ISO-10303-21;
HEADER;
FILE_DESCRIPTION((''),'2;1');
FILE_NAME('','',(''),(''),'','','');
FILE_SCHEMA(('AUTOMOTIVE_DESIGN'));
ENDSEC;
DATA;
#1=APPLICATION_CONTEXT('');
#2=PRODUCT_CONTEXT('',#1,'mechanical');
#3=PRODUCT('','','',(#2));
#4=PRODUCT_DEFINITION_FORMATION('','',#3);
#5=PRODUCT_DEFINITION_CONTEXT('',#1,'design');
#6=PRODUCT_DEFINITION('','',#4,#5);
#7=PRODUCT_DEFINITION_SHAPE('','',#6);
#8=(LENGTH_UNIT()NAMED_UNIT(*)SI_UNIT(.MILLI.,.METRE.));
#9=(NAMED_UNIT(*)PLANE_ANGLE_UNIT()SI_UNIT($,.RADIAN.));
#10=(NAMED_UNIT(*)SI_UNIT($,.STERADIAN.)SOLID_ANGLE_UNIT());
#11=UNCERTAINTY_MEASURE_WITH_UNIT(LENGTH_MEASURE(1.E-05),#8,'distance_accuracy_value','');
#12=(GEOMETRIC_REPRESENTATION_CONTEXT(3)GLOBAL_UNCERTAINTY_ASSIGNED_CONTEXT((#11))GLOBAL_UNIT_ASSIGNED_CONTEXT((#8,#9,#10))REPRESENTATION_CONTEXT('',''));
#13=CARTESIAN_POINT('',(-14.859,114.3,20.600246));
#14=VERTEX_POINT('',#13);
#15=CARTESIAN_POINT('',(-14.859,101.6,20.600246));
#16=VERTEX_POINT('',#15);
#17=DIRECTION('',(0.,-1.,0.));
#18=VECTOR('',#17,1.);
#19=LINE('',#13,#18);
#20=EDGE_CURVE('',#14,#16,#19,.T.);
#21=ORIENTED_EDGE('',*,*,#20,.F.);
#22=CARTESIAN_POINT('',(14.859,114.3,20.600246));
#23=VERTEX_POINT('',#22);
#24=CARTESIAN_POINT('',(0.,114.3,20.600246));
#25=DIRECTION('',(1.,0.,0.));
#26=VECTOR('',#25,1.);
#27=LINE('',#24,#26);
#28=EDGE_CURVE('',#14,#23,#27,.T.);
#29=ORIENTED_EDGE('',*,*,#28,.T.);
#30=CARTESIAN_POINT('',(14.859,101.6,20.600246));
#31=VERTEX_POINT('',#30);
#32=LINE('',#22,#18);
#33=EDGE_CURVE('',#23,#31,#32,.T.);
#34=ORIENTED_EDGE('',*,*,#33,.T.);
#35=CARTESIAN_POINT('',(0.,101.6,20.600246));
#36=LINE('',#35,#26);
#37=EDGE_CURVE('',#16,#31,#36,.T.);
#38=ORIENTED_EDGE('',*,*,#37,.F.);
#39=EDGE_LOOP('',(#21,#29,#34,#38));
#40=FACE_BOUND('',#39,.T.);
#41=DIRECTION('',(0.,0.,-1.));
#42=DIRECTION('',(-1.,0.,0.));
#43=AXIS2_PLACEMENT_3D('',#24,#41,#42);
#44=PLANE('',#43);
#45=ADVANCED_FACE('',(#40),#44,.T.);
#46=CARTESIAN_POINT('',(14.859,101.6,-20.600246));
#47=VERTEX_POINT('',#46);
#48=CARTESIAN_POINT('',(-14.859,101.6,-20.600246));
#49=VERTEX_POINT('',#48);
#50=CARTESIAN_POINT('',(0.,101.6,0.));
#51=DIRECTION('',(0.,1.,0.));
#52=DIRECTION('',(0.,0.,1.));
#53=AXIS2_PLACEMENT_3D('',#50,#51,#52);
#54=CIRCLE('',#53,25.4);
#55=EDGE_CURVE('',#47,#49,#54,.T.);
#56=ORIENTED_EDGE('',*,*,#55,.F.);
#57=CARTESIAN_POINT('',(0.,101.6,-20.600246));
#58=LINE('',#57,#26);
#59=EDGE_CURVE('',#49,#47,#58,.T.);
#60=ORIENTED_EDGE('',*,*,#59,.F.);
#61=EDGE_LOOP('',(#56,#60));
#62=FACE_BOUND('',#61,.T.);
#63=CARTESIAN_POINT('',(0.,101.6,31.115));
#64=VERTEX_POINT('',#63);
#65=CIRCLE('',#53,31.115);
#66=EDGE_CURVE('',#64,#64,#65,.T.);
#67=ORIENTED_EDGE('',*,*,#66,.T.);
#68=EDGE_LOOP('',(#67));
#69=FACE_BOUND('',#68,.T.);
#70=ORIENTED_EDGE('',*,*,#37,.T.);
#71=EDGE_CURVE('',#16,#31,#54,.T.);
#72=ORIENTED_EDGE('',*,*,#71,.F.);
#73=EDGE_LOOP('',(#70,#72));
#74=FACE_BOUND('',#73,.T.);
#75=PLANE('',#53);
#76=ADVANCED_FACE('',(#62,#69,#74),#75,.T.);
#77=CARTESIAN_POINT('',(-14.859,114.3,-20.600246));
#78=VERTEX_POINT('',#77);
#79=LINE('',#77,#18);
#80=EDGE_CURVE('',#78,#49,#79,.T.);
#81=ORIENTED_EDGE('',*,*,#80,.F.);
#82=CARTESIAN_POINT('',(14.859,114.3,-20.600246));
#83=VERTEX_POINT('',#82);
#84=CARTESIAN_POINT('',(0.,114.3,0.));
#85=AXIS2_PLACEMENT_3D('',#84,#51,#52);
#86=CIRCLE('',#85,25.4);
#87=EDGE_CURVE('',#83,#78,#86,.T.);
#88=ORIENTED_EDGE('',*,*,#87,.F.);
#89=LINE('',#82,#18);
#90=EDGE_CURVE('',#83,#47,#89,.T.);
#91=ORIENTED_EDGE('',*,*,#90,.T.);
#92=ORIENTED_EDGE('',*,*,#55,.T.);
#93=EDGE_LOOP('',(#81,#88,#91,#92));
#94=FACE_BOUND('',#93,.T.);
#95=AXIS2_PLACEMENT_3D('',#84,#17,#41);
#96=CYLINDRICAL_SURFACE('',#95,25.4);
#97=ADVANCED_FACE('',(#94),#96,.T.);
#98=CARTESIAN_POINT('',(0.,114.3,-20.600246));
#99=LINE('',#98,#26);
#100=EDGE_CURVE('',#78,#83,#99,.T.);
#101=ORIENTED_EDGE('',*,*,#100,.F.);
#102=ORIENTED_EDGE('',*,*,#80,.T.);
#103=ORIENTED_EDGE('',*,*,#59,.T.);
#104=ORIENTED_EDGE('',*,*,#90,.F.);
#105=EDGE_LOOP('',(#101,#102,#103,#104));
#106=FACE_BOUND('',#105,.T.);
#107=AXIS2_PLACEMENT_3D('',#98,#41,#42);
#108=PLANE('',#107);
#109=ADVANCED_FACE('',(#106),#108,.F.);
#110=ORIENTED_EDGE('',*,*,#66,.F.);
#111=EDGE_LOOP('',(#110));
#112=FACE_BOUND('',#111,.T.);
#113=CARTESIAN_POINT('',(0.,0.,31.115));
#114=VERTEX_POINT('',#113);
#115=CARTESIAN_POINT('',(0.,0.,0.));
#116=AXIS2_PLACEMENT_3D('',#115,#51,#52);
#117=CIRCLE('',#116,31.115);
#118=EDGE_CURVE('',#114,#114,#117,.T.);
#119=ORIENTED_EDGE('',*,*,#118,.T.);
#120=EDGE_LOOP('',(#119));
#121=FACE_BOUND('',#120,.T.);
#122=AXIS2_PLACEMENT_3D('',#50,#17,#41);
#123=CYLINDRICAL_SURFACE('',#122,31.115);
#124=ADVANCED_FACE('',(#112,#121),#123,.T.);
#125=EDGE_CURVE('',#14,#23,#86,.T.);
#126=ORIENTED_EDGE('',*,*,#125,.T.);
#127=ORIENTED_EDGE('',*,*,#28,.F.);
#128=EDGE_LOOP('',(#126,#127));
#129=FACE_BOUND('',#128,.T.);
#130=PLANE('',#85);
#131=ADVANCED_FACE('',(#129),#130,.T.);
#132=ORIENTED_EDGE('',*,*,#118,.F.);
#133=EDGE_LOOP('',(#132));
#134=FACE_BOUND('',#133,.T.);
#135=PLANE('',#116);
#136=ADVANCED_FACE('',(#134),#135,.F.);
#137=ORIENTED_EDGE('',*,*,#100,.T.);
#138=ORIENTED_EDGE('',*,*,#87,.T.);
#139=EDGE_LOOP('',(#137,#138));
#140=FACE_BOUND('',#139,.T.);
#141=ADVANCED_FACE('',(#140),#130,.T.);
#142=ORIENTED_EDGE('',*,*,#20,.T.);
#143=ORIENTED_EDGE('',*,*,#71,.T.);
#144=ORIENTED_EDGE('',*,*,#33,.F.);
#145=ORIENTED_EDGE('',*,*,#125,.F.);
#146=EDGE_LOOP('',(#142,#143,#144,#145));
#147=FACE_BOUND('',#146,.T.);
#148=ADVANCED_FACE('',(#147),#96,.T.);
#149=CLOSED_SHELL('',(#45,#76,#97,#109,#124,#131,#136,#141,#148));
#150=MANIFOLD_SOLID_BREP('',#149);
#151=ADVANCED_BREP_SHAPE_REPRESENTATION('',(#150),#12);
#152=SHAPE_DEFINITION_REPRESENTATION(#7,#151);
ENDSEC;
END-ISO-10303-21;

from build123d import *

# Parameters (mm, degrees)
SKETCH1_R           = 31.115
BOSS_EXTRUDE4_DEPTH = 101.6
BOSS_EXTRUDE6_DEPTH = 12.7


with BuildPart() as part:
    # Sketch1 → Boss-Extrude4 (new body)
    with BuildSketch(Plane(origin=(0, 0, 0), x_dir=(1, 0, 0), z_dir=(0, 1, 0))):
        Circle(SKETCH1_R)
    extrude(amount=BOSS_EXTRUDE4_DEPTH)

    # Sketch4 → Boss-Extrude6 (add)
    with BuildSketch(Plane(origin=(0, 101.6, 0), x_dir=(1, 0, 0), z_dir=(0, 1, 0))):
        with BuildLine():
            ThreePointArc((14.859, 20.600245605), (0, 25.4), (-14.859, 20.600245605))
            Line((-14.859, 20.600245605), (14.859, 20.600245605))
        make_face()
        with BuildLine():
            Line((14.859, -20.600245605), (-14.859, -20.600245605))
            ThreePointArc((-14.859, -20.600245605), (0, -25.4), (14.859, -20.600245605))
        make_face()
    extrude(amount=BOSS_EXTRUDE6_DEPTH)


solid = part.part
